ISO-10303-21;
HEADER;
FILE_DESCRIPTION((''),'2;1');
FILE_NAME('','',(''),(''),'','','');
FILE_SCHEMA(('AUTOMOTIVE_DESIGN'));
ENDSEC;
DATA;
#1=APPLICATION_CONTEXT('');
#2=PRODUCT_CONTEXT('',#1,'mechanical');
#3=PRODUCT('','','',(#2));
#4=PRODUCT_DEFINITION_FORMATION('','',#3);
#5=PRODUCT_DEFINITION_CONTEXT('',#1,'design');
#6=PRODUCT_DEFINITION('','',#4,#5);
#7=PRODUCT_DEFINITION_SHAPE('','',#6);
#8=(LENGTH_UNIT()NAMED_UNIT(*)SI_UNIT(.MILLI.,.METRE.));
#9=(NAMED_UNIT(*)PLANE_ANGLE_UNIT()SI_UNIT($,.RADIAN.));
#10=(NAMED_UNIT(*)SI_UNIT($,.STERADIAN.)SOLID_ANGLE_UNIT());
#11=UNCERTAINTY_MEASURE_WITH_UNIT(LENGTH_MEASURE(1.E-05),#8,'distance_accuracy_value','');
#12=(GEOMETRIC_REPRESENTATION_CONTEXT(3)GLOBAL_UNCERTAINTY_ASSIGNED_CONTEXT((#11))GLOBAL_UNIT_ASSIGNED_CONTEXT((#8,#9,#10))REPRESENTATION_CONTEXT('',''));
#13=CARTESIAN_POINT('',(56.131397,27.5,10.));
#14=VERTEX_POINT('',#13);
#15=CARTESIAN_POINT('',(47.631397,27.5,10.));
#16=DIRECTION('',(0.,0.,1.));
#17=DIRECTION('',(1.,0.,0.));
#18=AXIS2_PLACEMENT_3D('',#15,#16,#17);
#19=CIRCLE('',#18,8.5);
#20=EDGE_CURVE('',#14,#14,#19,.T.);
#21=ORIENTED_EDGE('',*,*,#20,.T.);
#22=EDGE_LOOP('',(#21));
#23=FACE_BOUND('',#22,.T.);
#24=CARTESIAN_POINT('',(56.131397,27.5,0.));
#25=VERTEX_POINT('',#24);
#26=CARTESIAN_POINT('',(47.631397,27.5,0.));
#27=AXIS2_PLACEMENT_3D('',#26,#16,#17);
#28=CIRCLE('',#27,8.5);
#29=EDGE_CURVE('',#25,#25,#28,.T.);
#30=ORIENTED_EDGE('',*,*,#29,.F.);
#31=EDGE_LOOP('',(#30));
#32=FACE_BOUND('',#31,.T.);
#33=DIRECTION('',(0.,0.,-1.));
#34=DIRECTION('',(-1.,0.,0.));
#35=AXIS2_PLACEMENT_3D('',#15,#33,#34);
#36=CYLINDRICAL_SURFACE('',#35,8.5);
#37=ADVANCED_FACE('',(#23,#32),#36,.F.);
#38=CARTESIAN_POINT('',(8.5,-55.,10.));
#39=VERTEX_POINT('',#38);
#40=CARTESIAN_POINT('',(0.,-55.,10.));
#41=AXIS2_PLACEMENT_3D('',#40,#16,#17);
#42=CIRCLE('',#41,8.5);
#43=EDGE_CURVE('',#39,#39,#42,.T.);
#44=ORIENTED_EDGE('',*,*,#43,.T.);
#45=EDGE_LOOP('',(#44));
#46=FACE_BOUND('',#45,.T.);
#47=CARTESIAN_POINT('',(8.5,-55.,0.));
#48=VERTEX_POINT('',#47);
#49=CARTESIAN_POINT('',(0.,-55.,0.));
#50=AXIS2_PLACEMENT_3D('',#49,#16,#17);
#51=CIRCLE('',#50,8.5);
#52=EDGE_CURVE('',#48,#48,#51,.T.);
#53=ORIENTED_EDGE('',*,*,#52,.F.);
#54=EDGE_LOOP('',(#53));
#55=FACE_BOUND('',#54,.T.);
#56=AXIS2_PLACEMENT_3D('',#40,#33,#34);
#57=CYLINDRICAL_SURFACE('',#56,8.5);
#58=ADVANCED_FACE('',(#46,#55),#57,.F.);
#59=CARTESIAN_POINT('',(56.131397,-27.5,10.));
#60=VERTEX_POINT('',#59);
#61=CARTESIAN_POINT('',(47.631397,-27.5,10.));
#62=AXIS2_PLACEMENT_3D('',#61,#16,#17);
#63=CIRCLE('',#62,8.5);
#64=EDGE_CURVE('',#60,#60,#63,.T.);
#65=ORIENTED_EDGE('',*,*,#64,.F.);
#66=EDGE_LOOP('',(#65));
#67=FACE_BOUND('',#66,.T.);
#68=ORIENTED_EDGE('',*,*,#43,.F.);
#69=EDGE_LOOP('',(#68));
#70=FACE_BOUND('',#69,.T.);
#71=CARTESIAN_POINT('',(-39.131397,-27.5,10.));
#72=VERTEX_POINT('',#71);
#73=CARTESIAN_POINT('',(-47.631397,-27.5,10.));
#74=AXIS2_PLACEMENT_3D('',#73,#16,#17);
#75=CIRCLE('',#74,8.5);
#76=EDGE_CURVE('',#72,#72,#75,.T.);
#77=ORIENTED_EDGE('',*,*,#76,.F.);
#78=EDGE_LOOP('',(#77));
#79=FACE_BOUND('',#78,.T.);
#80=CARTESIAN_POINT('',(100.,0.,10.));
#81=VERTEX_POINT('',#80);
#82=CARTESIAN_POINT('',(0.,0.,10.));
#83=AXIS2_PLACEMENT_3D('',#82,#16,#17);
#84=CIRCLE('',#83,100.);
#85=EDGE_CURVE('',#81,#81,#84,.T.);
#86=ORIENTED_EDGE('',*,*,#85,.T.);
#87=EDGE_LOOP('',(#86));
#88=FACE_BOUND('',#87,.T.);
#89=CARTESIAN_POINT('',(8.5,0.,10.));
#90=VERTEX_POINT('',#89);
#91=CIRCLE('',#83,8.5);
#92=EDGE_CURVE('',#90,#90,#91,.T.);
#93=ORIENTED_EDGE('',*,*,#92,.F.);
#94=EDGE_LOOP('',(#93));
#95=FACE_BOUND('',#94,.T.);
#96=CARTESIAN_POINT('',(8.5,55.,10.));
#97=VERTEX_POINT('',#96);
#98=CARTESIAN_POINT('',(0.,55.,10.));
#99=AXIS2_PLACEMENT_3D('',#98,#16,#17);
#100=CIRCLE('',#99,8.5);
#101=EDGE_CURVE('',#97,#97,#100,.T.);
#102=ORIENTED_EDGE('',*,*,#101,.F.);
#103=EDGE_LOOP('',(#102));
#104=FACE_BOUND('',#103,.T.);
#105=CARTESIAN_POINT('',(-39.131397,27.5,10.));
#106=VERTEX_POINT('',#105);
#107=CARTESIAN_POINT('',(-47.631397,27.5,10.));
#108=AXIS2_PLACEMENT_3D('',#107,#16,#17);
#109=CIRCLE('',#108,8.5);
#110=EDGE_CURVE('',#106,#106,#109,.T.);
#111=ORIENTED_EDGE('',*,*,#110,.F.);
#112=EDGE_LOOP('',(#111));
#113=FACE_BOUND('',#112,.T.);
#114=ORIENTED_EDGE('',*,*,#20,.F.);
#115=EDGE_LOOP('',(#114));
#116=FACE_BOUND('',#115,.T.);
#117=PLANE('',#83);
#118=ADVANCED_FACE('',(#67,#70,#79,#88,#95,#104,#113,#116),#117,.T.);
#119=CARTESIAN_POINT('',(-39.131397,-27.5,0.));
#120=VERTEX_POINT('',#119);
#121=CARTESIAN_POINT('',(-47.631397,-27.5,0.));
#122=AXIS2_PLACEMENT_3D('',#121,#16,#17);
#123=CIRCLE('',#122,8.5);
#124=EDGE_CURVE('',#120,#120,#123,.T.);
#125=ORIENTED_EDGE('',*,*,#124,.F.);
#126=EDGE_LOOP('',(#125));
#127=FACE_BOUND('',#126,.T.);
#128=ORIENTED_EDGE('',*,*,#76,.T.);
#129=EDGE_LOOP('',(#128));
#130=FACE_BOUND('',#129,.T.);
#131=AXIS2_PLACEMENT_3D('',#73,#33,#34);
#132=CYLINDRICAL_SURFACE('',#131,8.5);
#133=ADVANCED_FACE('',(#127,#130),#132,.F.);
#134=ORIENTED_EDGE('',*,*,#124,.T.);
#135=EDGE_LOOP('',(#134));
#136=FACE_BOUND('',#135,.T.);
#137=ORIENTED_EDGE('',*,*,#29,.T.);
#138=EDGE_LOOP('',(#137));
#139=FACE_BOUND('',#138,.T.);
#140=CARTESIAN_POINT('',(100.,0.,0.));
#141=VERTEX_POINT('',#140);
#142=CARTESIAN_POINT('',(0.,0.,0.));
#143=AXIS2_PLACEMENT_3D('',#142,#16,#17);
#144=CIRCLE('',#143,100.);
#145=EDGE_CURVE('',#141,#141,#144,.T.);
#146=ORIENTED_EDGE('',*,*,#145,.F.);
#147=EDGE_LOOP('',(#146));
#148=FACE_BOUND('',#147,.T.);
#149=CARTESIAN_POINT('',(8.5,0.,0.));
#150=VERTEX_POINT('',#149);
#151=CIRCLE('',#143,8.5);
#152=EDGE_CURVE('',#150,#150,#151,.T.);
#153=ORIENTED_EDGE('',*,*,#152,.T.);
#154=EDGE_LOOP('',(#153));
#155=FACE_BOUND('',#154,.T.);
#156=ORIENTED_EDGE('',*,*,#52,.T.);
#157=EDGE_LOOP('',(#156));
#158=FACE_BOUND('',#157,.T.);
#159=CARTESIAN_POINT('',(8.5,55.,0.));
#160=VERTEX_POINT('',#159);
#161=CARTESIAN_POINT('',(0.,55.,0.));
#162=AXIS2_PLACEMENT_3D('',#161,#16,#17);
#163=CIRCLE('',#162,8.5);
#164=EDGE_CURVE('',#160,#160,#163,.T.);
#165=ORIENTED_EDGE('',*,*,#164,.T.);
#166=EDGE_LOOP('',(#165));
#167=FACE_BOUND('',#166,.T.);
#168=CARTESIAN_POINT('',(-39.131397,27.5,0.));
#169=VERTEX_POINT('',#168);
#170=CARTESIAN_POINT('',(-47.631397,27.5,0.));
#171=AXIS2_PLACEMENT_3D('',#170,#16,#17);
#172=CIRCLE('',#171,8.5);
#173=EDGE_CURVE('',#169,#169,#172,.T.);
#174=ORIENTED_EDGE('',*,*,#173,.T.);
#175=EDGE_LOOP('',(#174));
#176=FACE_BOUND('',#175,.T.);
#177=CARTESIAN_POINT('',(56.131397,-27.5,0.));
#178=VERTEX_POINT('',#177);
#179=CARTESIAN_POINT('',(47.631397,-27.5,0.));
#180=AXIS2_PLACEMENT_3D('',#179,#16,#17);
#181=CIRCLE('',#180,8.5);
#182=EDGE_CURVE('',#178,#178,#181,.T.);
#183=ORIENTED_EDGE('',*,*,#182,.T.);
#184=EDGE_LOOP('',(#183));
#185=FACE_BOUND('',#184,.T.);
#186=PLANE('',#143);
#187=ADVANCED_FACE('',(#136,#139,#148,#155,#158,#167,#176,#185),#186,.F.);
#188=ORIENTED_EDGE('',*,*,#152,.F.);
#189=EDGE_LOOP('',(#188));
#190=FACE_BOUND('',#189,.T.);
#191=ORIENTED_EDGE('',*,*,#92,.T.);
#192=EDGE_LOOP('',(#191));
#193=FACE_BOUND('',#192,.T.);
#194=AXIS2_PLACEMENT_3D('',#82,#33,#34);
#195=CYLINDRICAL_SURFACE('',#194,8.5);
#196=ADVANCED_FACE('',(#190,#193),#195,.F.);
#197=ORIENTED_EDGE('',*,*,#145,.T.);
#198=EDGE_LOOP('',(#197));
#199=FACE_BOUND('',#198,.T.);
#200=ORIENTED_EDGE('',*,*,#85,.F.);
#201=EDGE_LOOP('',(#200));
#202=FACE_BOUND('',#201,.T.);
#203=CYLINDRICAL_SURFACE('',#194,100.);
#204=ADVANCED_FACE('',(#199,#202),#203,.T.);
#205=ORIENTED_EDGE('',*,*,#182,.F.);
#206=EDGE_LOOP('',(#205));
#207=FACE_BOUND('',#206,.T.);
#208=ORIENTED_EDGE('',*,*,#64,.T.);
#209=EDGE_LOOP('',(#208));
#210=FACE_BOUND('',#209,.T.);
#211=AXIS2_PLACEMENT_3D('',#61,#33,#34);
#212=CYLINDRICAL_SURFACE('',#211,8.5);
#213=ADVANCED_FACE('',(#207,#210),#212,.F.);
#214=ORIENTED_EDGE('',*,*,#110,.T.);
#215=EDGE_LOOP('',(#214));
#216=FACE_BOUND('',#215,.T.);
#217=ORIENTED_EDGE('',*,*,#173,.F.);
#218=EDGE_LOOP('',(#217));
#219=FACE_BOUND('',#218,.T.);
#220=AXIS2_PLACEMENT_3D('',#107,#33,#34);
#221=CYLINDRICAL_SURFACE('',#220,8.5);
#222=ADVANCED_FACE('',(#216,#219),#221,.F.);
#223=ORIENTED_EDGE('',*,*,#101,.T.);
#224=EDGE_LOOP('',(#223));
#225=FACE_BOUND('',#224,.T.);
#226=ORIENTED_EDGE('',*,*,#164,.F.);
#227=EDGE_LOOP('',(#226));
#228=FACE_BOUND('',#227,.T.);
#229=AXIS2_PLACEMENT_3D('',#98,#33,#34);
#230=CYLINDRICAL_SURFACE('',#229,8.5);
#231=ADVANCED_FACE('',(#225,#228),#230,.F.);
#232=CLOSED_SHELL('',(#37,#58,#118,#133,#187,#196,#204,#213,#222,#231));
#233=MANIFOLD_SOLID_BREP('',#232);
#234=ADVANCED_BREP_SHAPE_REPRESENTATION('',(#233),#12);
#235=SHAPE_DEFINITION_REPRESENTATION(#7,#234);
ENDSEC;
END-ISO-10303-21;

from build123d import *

# Parameters (mm, degrees)
SKETCH1_R           = 100
SKETCH1_R_2         = 8.5
BOSS_EXTRUDE1_DEPTH = 10


with BuildPart() as part:
    # Sketch1 → Boss-Extrude1 (new body)
    with BuildSketch(Plane.XY):
        Circle(SKETCH1_R)
        Circle(SKETCH1_R_2, mode=Mode.SUBTRACT)
        with Locations((0, 55)):
            Circle(SKETCH1_R_2, mode=Mode.SUBTRACT)
        with Locations((47.631397208, 27.5)):
            Circle(SKETCH1_R_2, mode=Mode.SUBTRACT)
        with Locations((47.631397208, -27.5)):
            Circle(SKETCH1_R_2, mode=Mode.SUBTRACT)
        with Locations((0, -55)):
            Circle(SKETCH1_R_2, mode=Mode.SUBTRACT)
        with Locations((-47.631397208, -27.5)):
            Circle(SKETCH1_R_2, mode=Mode.SUBTRACT)
        with Locations((-47.631397208, 27.5)):
            Circle(SKETCH1_R_2, mode=Mode.SUBTRACT)
    extrude(amount=BOSS_EXTRUDE1_DEPTH)


solid = part.part
